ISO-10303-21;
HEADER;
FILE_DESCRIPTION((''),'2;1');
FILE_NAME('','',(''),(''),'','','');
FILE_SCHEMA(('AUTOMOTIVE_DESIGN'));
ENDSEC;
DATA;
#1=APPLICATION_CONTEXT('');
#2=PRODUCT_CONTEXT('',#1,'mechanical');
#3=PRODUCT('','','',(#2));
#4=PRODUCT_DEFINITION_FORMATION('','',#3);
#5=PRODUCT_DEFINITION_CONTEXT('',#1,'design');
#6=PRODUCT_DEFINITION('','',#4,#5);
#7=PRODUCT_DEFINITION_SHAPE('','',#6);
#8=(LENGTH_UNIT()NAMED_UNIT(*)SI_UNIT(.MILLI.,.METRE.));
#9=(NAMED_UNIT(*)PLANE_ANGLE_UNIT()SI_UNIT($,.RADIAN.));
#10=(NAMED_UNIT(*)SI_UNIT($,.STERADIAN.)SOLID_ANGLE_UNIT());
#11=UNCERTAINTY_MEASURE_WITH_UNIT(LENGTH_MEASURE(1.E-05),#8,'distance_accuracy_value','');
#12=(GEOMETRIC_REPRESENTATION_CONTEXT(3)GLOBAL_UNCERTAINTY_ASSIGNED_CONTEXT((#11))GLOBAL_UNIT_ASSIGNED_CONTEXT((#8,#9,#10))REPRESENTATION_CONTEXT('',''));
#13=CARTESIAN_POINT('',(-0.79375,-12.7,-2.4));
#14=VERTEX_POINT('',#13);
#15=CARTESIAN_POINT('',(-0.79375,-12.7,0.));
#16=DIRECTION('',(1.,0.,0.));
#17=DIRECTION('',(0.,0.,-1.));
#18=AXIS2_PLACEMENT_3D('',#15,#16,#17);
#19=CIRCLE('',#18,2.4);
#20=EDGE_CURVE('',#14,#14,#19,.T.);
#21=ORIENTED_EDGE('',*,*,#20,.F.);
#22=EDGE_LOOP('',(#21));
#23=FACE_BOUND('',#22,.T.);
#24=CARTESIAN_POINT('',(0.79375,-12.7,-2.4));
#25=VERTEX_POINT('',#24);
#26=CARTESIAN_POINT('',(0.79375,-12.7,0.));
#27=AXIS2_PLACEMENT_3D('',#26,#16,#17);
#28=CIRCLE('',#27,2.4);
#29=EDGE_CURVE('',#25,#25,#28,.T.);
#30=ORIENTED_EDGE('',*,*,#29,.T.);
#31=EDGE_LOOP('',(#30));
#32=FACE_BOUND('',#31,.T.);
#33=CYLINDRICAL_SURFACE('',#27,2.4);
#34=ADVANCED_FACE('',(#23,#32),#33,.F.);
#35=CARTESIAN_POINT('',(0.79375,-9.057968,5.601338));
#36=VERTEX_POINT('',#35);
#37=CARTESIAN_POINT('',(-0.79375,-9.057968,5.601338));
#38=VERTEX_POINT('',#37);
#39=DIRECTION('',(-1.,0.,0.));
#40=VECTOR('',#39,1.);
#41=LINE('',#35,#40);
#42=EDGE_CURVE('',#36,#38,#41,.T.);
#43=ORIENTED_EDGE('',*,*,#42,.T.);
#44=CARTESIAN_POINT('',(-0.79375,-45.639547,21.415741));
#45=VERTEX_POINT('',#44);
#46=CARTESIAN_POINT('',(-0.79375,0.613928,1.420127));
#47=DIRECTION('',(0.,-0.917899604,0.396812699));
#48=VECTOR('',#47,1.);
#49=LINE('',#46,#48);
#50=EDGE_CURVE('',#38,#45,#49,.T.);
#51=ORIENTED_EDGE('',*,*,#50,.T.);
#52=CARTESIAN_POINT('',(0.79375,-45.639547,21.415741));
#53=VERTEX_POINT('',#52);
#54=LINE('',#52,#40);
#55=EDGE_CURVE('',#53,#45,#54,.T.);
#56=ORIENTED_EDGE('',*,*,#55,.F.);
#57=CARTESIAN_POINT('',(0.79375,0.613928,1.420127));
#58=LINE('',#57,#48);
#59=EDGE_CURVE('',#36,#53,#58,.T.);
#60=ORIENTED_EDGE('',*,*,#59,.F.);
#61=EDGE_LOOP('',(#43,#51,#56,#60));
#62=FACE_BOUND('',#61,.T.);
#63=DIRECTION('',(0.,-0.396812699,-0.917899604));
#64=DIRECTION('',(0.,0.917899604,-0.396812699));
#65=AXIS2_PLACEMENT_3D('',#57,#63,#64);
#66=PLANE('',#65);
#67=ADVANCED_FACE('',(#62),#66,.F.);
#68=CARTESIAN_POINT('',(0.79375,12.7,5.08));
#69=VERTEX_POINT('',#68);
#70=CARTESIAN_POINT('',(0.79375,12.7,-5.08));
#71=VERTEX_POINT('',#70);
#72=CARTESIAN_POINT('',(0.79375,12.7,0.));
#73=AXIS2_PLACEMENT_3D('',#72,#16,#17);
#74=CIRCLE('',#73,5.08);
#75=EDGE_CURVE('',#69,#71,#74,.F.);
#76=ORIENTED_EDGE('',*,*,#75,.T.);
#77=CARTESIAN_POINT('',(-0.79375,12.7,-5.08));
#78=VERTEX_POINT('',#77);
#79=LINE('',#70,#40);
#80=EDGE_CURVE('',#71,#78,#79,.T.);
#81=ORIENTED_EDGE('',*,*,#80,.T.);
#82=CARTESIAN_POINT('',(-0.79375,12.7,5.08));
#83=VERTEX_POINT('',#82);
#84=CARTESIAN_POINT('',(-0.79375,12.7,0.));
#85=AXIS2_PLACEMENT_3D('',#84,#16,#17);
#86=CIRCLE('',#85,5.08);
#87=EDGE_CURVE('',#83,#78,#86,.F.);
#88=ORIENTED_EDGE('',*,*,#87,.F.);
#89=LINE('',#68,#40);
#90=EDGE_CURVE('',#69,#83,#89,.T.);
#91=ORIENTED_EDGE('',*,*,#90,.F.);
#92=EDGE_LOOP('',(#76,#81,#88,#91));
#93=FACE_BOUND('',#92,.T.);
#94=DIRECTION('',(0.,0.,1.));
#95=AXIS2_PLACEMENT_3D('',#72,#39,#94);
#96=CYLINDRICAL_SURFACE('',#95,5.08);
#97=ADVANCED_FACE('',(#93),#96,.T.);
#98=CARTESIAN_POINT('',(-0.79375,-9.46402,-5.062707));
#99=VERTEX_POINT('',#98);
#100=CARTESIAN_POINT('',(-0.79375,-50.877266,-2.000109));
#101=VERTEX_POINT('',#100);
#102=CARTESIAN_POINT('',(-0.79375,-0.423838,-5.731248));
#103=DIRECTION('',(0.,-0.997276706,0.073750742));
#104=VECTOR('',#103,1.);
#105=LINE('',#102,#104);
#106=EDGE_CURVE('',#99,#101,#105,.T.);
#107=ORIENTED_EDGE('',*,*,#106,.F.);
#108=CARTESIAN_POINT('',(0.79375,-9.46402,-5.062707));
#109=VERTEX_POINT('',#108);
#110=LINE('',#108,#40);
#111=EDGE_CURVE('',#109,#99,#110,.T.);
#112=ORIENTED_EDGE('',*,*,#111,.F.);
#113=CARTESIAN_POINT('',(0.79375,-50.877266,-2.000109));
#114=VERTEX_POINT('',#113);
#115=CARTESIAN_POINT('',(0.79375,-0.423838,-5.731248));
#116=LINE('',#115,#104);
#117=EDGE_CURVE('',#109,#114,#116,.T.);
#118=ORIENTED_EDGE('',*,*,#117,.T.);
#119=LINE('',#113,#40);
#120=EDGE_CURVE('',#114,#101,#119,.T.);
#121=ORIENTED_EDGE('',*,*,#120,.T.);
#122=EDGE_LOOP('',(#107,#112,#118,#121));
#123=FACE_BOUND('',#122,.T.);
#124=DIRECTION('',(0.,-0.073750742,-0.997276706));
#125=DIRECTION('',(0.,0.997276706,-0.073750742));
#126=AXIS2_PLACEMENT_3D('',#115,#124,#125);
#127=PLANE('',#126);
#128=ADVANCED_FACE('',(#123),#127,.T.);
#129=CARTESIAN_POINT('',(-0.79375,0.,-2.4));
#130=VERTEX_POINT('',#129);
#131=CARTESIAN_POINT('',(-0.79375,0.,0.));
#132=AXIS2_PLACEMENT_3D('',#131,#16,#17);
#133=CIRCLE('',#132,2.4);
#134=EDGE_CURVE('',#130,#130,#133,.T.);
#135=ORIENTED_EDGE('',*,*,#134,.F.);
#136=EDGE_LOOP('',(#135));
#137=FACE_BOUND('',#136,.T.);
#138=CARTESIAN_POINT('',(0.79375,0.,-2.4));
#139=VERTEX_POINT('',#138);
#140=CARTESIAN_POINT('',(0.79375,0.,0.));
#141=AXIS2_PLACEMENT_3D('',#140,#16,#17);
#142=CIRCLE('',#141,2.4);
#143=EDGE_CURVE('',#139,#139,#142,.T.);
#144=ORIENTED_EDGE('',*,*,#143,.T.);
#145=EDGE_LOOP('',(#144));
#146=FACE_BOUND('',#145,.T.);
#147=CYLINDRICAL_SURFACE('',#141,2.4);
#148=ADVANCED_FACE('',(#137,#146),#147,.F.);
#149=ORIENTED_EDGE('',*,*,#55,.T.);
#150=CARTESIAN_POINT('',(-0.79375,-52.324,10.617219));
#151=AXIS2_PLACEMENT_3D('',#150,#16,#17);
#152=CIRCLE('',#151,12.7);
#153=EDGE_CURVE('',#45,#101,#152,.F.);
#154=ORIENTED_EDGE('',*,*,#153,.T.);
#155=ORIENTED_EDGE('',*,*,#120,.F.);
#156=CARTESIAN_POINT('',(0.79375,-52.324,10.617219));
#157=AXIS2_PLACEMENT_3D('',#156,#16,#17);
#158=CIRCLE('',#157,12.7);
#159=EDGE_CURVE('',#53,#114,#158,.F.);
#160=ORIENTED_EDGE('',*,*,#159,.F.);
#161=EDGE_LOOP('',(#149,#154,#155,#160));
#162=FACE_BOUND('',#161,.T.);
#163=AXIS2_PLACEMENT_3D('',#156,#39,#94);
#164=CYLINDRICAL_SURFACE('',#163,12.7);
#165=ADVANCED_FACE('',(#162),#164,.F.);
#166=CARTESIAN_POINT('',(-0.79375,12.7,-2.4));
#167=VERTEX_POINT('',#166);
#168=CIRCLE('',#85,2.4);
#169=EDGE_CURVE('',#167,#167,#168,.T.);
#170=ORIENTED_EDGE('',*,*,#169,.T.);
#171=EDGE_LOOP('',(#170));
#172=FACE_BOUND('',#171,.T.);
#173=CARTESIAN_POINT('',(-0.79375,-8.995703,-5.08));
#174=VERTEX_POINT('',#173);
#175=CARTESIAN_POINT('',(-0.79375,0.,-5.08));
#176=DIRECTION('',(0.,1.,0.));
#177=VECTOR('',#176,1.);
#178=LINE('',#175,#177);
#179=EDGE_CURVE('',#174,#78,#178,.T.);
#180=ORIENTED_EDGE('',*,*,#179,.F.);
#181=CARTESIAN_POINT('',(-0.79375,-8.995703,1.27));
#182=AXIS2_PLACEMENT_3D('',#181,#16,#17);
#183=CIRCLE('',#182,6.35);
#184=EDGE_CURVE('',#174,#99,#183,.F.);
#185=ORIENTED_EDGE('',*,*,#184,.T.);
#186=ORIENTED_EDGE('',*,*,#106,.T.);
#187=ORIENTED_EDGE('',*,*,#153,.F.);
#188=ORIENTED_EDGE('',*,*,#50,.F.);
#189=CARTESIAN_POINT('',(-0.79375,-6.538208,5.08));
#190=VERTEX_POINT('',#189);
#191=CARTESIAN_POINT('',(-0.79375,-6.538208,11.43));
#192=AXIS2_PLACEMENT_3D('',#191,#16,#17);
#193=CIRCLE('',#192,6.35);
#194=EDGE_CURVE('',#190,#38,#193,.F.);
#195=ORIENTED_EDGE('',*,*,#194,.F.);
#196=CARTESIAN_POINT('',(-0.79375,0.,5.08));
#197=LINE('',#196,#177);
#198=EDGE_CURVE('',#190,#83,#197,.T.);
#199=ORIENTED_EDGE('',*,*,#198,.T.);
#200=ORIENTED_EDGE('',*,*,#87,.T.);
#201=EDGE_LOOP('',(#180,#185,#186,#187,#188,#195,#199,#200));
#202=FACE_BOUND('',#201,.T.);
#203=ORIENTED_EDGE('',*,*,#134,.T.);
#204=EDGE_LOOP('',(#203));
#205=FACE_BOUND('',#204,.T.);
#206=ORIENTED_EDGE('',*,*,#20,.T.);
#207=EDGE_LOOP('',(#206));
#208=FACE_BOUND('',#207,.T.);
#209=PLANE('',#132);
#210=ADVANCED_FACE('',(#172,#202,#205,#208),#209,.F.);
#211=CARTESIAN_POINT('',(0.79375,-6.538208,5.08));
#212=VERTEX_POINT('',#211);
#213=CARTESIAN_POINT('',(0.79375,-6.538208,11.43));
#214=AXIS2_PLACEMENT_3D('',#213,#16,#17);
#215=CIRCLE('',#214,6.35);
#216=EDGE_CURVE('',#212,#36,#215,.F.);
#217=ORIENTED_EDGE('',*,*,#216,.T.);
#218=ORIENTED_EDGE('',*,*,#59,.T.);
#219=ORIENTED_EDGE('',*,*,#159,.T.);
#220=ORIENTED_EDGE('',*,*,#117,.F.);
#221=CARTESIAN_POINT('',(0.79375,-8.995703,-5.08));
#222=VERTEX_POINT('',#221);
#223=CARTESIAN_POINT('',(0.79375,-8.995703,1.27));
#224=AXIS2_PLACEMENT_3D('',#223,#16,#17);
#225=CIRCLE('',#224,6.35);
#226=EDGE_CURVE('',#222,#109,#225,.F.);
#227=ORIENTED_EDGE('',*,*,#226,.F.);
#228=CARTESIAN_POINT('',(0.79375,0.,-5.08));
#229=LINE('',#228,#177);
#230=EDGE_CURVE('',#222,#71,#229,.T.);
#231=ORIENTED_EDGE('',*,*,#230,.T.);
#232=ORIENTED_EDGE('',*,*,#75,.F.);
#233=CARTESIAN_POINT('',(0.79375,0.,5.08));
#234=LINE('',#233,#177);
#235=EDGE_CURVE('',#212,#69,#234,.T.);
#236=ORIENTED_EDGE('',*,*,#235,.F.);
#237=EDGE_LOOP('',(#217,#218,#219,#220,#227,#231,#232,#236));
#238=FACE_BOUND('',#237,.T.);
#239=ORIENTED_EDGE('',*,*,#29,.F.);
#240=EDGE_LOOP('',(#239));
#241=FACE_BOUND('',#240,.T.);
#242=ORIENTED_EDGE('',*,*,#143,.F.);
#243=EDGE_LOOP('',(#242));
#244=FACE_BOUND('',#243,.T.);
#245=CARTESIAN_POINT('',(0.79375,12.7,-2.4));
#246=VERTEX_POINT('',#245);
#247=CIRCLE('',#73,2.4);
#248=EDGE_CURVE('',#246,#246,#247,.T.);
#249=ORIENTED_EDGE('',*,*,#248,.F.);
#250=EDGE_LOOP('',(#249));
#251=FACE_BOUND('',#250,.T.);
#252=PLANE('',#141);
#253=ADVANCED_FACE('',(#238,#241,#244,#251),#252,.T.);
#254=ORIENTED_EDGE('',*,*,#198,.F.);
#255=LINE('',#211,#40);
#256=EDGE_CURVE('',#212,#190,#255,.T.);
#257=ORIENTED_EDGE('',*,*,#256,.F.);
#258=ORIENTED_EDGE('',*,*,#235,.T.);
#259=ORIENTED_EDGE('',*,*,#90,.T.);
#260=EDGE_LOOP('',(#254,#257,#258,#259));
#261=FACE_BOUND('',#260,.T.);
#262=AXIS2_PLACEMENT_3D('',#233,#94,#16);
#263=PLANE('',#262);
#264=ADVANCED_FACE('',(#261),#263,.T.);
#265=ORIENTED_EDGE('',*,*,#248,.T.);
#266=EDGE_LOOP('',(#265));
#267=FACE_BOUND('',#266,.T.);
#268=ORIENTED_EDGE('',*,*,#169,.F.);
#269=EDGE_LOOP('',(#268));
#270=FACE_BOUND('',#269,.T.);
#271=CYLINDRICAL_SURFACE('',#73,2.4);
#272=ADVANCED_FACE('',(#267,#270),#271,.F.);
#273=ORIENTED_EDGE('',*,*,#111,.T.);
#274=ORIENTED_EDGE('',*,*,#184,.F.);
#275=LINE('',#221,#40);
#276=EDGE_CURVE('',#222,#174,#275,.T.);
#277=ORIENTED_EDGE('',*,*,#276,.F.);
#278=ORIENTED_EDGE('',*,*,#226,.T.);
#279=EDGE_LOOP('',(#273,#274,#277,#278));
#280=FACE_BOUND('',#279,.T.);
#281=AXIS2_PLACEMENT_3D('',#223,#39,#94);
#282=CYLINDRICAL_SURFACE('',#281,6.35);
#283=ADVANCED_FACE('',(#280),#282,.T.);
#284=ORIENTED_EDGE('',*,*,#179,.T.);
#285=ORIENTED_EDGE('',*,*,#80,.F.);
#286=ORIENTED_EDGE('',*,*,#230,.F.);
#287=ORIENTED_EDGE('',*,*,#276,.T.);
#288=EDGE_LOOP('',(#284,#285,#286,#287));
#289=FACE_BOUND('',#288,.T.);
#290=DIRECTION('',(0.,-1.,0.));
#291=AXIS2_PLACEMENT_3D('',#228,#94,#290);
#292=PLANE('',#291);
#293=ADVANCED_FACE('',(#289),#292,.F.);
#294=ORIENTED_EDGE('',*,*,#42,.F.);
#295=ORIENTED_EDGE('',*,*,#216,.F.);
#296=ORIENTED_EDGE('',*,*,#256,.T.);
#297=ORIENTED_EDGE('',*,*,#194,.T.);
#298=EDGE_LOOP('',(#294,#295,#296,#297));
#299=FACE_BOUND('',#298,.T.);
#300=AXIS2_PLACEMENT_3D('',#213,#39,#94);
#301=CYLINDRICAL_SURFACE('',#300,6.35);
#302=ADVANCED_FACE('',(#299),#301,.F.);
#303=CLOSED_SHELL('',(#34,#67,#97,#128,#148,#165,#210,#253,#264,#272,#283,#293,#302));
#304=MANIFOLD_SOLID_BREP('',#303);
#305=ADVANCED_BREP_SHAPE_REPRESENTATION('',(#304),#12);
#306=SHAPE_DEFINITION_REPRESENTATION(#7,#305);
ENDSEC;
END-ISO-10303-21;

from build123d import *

# Parameters (mm, degrees)
BOSS_EXTRUDE1_DEPTH  = 0.79375
M4_CLEARANCE_HOLE1_D = 4.8


with BuildPart() as part:
    # Sketch1 → Boss-Extrude1 (new, symmetric)
    with BuildSketch(Plane(origin=(0, 0, 0), x_dir=(0, 0, -1), z_dir=(1, 0, 0))):
        with BuildLine():
            Line((-5.08, 12.7), (-5.08, -6.538207725))
            ThreePointArc((-5.08, -6.538207725), (-5.211700121, -7.824771606), (-5.601337517, -9.057968362))
            Line((-5.601337517, -9.057968362), (-21.415741229, -45.63954689))
            ThreePointArc((-21.415741229, -45.63954689), (-7.844956242, -39.930269315), (2.000109042, -50.877266399))
            Line((2.000109042, -50.877266399), (5.062707082, -9.46401976))
            ThreePointArc((5.062707082, -9.46401976), (5.075675298, -9.230020736), (5.08, -8.995702545))
            Line((5.08, -8.995702545), (5.08, 12.7))
            ThreePointArc((5.08, 12.7), (0, 17.78), (-5.08, 12.7))
        make_face()
    extrude(amount=BOSS_EXTRUDE1_DEPTH, both=True)

    # M4 Clearance Hole1 (through all)
    with Locations(Plane(origin=(0.79375, 0, 0), x_dir=(0, 0, -1), z_dir=(1, 0, 0))):
        with Locations((0, 0), (0, 12.7), (0, -12.7)):
            Hole(M4_CLEARANCE_HOLE1_D / 2)


solid = part.part
